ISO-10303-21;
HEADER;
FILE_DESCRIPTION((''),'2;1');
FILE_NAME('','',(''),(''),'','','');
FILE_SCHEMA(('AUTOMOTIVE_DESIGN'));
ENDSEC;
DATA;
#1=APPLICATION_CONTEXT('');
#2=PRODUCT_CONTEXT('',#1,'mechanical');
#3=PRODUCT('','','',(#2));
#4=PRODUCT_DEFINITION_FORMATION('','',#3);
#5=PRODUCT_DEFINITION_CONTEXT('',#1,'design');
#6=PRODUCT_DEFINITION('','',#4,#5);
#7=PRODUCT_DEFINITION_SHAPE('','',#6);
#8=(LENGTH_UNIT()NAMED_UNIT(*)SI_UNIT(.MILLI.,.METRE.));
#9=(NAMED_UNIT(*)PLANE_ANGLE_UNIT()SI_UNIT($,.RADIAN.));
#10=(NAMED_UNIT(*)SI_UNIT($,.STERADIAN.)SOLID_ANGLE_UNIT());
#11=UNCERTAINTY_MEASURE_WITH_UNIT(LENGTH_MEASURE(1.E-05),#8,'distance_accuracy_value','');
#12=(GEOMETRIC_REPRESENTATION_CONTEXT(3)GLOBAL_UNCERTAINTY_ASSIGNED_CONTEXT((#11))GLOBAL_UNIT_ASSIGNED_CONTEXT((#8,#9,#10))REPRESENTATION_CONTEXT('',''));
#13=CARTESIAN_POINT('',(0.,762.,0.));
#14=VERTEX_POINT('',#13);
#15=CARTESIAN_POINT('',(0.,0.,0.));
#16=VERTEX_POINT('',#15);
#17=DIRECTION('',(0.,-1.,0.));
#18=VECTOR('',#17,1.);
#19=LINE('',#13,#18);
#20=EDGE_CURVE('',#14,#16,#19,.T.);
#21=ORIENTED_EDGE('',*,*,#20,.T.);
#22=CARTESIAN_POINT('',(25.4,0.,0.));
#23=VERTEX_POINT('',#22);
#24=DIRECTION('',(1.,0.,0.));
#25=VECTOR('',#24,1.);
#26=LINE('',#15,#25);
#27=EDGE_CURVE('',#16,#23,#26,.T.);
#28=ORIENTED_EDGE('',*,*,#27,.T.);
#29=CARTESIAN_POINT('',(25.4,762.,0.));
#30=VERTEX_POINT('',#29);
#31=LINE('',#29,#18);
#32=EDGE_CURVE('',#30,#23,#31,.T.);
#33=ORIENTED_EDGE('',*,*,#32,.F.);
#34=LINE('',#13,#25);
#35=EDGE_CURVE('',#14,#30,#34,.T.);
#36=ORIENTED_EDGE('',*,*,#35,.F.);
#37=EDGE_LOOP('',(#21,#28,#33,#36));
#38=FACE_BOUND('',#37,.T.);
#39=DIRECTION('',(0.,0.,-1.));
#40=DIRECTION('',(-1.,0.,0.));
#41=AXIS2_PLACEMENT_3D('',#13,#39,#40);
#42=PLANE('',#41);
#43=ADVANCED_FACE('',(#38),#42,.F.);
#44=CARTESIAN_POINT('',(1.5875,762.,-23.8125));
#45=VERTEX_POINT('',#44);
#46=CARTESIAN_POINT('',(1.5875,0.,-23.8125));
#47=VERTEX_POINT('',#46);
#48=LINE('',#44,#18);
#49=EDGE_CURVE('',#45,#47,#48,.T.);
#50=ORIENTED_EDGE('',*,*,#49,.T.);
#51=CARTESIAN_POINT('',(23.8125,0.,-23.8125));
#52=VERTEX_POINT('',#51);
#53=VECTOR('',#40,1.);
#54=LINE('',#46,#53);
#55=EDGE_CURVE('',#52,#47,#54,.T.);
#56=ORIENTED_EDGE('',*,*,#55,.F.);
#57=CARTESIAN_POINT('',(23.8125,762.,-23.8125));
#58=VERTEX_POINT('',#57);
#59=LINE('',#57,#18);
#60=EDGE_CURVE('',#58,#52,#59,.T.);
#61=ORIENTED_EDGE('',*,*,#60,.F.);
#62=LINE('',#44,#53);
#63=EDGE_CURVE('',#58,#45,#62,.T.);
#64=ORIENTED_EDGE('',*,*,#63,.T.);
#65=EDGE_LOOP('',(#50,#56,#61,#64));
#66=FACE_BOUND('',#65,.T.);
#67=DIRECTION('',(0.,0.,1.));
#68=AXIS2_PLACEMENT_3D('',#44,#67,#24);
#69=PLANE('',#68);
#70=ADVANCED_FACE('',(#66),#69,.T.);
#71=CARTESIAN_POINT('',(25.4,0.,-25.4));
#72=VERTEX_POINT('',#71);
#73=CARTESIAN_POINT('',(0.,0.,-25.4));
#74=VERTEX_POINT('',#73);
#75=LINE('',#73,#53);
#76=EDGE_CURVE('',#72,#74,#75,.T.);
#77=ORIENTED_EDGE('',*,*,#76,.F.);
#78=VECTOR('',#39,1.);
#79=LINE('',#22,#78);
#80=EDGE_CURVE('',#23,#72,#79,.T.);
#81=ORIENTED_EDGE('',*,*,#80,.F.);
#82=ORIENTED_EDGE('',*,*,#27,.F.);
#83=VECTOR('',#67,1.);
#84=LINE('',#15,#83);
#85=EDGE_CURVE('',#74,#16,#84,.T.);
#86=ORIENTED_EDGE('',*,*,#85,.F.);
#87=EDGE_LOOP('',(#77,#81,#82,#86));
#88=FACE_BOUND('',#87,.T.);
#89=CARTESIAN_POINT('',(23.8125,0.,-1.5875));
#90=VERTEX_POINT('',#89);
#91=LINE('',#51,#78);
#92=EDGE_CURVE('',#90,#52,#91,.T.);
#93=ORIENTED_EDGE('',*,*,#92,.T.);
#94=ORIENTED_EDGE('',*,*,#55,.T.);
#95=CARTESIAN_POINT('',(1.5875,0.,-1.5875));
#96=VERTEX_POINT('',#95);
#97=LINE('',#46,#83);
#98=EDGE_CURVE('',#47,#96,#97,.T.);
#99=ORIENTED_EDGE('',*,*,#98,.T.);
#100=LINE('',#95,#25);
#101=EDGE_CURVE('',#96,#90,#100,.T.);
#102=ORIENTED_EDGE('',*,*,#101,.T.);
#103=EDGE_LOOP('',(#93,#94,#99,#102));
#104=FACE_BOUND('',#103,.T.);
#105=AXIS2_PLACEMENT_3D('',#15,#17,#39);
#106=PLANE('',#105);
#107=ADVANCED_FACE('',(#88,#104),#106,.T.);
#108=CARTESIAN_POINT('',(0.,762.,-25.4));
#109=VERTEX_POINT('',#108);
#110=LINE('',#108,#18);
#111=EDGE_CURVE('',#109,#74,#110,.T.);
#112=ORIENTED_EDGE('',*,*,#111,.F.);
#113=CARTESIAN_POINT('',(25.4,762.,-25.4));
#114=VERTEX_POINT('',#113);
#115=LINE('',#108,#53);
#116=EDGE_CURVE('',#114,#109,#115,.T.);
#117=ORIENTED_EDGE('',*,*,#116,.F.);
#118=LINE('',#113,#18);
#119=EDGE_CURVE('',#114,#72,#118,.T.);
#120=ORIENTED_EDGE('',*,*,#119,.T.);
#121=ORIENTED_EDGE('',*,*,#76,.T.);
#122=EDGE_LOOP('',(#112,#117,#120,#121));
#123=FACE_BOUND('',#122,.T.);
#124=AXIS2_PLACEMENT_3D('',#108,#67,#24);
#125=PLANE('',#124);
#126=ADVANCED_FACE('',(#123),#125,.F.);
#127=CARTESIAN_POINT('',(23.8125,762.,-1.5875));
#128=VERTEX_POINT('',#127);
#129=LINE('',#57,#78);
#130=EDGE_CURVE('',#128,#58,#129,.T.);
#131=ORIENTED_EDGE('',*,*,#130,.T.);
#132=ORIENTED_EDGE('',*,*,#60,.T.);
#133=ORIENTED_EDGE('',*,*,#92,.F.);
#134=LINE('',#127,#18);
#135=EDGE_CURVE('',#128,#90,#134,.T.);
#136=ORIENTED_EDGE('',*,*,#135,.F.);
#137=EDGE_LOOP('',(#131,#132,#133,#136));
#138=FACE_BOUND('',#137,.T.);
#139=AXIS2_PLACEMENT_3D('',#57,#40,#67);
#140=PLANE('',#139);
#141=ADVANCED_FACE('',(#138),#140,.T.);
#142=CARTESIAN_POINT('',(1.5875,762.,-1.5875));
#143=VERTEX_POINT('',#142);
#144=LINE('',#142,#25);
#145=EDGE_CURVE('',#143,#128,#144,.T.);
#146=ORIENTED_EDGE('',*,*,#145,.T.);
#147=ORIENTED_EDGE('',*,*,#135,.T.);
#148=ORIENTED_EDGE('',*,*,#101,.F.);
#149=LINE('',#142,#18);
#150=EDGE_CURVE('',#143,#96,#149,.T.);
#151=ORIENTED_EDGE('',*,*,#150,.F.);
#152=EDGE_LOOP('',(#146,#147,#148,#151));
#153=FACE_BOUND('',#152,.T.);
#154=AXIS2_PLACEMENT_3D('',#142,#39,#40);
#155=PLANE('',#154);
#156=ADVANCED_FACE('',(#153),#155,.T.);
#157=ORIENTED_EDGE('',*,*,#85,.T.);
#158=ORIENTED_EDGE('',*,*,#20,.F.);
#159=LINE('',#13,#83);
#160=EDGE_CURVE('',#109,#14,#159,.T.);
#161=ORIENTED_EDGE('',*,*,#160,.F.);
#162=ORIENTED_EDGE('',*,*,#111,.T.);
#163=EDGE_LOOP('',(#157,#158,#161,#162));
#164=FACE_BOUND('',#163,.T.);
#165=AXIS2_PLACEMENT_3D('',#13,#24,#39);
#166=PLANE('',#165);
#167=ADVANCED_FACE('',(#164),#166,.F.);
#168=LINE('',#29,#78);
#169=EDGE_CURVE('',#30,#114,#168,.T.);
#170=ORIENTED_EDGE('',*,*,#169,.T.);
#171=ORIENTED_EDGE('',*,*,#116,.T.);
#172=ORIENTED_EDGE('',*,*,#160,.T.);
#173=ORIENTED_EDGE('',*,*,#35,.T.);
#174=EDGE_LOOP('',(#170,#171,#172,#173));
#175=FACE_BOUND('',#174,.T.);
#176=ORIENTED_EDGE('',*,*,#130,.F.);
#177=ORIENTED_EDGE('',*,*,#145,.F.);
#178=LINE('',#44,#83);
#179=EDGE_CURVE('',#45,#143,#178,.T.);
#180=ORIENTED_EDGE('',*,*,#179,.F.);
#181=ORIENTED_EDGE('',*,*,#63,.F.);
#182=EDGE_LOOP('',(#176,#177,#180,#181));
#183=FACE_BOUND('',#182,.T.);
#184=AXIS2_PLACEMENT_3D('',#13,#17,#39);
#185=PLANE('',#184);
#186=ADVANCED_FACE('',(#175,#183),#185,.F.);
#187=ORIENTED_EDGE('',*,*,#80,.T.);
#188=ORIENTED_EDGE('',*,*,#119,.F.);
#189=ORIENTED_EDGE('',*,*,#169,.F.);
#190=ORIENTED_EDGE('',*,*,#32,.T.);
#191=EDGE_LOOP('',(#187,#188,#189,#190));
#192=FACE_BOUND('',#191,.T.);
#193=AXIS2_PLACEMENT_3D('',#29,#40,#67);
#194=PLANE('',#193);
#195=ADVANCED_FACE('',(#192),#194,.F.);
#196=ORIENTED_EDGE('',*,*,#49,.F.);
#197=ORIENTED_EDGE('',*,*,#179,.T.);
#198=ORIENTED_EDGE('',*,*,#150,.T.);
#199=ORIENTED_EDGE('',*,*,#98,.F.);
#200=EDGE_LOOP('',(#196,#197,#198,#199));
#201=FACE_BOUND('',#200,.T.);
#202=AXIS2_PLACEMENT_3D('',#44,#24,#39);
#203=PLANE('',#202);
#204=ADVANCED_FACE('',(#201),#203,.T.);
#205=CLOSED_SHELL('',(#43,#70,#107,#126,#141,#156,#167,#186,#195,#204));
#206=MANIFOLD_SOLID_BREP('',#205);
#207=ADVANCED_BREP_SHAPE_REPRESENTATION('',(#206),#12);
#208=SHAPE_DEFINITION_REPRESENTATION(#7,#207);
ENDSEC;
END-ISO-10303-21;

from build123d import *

# Parameters (mm, degrees)
SKETCH1_W           = 25.4
SKETCH1_H           = 25.4
SKETCH1_W_2         = 22.225
SKETCH1_H_2         = 22.225
BOSS_EXTRUDE1_DEPTH = 762


with BuildPart() as part:
    # Sketch1 → Boss-Extrude1 (new body)
    with BuildSketch(Plane(origin=(0, 0, 0), x_dir=(1, 0, 0), z_dir=(0, 1, 0))):
        with Locations((12.7, 12.7)):
            Rectangle(SKETCH1_W, SKETCH1_H)
        with Locations((12.7, 12.7)):
            Rectangle(SKETCH1_W_2, SKETCH1_H_2, mode=Mode.SUBTRACT)
    extrude(amount=BOSS_EXTRUDE1_DEPTH)


solid = part.part
